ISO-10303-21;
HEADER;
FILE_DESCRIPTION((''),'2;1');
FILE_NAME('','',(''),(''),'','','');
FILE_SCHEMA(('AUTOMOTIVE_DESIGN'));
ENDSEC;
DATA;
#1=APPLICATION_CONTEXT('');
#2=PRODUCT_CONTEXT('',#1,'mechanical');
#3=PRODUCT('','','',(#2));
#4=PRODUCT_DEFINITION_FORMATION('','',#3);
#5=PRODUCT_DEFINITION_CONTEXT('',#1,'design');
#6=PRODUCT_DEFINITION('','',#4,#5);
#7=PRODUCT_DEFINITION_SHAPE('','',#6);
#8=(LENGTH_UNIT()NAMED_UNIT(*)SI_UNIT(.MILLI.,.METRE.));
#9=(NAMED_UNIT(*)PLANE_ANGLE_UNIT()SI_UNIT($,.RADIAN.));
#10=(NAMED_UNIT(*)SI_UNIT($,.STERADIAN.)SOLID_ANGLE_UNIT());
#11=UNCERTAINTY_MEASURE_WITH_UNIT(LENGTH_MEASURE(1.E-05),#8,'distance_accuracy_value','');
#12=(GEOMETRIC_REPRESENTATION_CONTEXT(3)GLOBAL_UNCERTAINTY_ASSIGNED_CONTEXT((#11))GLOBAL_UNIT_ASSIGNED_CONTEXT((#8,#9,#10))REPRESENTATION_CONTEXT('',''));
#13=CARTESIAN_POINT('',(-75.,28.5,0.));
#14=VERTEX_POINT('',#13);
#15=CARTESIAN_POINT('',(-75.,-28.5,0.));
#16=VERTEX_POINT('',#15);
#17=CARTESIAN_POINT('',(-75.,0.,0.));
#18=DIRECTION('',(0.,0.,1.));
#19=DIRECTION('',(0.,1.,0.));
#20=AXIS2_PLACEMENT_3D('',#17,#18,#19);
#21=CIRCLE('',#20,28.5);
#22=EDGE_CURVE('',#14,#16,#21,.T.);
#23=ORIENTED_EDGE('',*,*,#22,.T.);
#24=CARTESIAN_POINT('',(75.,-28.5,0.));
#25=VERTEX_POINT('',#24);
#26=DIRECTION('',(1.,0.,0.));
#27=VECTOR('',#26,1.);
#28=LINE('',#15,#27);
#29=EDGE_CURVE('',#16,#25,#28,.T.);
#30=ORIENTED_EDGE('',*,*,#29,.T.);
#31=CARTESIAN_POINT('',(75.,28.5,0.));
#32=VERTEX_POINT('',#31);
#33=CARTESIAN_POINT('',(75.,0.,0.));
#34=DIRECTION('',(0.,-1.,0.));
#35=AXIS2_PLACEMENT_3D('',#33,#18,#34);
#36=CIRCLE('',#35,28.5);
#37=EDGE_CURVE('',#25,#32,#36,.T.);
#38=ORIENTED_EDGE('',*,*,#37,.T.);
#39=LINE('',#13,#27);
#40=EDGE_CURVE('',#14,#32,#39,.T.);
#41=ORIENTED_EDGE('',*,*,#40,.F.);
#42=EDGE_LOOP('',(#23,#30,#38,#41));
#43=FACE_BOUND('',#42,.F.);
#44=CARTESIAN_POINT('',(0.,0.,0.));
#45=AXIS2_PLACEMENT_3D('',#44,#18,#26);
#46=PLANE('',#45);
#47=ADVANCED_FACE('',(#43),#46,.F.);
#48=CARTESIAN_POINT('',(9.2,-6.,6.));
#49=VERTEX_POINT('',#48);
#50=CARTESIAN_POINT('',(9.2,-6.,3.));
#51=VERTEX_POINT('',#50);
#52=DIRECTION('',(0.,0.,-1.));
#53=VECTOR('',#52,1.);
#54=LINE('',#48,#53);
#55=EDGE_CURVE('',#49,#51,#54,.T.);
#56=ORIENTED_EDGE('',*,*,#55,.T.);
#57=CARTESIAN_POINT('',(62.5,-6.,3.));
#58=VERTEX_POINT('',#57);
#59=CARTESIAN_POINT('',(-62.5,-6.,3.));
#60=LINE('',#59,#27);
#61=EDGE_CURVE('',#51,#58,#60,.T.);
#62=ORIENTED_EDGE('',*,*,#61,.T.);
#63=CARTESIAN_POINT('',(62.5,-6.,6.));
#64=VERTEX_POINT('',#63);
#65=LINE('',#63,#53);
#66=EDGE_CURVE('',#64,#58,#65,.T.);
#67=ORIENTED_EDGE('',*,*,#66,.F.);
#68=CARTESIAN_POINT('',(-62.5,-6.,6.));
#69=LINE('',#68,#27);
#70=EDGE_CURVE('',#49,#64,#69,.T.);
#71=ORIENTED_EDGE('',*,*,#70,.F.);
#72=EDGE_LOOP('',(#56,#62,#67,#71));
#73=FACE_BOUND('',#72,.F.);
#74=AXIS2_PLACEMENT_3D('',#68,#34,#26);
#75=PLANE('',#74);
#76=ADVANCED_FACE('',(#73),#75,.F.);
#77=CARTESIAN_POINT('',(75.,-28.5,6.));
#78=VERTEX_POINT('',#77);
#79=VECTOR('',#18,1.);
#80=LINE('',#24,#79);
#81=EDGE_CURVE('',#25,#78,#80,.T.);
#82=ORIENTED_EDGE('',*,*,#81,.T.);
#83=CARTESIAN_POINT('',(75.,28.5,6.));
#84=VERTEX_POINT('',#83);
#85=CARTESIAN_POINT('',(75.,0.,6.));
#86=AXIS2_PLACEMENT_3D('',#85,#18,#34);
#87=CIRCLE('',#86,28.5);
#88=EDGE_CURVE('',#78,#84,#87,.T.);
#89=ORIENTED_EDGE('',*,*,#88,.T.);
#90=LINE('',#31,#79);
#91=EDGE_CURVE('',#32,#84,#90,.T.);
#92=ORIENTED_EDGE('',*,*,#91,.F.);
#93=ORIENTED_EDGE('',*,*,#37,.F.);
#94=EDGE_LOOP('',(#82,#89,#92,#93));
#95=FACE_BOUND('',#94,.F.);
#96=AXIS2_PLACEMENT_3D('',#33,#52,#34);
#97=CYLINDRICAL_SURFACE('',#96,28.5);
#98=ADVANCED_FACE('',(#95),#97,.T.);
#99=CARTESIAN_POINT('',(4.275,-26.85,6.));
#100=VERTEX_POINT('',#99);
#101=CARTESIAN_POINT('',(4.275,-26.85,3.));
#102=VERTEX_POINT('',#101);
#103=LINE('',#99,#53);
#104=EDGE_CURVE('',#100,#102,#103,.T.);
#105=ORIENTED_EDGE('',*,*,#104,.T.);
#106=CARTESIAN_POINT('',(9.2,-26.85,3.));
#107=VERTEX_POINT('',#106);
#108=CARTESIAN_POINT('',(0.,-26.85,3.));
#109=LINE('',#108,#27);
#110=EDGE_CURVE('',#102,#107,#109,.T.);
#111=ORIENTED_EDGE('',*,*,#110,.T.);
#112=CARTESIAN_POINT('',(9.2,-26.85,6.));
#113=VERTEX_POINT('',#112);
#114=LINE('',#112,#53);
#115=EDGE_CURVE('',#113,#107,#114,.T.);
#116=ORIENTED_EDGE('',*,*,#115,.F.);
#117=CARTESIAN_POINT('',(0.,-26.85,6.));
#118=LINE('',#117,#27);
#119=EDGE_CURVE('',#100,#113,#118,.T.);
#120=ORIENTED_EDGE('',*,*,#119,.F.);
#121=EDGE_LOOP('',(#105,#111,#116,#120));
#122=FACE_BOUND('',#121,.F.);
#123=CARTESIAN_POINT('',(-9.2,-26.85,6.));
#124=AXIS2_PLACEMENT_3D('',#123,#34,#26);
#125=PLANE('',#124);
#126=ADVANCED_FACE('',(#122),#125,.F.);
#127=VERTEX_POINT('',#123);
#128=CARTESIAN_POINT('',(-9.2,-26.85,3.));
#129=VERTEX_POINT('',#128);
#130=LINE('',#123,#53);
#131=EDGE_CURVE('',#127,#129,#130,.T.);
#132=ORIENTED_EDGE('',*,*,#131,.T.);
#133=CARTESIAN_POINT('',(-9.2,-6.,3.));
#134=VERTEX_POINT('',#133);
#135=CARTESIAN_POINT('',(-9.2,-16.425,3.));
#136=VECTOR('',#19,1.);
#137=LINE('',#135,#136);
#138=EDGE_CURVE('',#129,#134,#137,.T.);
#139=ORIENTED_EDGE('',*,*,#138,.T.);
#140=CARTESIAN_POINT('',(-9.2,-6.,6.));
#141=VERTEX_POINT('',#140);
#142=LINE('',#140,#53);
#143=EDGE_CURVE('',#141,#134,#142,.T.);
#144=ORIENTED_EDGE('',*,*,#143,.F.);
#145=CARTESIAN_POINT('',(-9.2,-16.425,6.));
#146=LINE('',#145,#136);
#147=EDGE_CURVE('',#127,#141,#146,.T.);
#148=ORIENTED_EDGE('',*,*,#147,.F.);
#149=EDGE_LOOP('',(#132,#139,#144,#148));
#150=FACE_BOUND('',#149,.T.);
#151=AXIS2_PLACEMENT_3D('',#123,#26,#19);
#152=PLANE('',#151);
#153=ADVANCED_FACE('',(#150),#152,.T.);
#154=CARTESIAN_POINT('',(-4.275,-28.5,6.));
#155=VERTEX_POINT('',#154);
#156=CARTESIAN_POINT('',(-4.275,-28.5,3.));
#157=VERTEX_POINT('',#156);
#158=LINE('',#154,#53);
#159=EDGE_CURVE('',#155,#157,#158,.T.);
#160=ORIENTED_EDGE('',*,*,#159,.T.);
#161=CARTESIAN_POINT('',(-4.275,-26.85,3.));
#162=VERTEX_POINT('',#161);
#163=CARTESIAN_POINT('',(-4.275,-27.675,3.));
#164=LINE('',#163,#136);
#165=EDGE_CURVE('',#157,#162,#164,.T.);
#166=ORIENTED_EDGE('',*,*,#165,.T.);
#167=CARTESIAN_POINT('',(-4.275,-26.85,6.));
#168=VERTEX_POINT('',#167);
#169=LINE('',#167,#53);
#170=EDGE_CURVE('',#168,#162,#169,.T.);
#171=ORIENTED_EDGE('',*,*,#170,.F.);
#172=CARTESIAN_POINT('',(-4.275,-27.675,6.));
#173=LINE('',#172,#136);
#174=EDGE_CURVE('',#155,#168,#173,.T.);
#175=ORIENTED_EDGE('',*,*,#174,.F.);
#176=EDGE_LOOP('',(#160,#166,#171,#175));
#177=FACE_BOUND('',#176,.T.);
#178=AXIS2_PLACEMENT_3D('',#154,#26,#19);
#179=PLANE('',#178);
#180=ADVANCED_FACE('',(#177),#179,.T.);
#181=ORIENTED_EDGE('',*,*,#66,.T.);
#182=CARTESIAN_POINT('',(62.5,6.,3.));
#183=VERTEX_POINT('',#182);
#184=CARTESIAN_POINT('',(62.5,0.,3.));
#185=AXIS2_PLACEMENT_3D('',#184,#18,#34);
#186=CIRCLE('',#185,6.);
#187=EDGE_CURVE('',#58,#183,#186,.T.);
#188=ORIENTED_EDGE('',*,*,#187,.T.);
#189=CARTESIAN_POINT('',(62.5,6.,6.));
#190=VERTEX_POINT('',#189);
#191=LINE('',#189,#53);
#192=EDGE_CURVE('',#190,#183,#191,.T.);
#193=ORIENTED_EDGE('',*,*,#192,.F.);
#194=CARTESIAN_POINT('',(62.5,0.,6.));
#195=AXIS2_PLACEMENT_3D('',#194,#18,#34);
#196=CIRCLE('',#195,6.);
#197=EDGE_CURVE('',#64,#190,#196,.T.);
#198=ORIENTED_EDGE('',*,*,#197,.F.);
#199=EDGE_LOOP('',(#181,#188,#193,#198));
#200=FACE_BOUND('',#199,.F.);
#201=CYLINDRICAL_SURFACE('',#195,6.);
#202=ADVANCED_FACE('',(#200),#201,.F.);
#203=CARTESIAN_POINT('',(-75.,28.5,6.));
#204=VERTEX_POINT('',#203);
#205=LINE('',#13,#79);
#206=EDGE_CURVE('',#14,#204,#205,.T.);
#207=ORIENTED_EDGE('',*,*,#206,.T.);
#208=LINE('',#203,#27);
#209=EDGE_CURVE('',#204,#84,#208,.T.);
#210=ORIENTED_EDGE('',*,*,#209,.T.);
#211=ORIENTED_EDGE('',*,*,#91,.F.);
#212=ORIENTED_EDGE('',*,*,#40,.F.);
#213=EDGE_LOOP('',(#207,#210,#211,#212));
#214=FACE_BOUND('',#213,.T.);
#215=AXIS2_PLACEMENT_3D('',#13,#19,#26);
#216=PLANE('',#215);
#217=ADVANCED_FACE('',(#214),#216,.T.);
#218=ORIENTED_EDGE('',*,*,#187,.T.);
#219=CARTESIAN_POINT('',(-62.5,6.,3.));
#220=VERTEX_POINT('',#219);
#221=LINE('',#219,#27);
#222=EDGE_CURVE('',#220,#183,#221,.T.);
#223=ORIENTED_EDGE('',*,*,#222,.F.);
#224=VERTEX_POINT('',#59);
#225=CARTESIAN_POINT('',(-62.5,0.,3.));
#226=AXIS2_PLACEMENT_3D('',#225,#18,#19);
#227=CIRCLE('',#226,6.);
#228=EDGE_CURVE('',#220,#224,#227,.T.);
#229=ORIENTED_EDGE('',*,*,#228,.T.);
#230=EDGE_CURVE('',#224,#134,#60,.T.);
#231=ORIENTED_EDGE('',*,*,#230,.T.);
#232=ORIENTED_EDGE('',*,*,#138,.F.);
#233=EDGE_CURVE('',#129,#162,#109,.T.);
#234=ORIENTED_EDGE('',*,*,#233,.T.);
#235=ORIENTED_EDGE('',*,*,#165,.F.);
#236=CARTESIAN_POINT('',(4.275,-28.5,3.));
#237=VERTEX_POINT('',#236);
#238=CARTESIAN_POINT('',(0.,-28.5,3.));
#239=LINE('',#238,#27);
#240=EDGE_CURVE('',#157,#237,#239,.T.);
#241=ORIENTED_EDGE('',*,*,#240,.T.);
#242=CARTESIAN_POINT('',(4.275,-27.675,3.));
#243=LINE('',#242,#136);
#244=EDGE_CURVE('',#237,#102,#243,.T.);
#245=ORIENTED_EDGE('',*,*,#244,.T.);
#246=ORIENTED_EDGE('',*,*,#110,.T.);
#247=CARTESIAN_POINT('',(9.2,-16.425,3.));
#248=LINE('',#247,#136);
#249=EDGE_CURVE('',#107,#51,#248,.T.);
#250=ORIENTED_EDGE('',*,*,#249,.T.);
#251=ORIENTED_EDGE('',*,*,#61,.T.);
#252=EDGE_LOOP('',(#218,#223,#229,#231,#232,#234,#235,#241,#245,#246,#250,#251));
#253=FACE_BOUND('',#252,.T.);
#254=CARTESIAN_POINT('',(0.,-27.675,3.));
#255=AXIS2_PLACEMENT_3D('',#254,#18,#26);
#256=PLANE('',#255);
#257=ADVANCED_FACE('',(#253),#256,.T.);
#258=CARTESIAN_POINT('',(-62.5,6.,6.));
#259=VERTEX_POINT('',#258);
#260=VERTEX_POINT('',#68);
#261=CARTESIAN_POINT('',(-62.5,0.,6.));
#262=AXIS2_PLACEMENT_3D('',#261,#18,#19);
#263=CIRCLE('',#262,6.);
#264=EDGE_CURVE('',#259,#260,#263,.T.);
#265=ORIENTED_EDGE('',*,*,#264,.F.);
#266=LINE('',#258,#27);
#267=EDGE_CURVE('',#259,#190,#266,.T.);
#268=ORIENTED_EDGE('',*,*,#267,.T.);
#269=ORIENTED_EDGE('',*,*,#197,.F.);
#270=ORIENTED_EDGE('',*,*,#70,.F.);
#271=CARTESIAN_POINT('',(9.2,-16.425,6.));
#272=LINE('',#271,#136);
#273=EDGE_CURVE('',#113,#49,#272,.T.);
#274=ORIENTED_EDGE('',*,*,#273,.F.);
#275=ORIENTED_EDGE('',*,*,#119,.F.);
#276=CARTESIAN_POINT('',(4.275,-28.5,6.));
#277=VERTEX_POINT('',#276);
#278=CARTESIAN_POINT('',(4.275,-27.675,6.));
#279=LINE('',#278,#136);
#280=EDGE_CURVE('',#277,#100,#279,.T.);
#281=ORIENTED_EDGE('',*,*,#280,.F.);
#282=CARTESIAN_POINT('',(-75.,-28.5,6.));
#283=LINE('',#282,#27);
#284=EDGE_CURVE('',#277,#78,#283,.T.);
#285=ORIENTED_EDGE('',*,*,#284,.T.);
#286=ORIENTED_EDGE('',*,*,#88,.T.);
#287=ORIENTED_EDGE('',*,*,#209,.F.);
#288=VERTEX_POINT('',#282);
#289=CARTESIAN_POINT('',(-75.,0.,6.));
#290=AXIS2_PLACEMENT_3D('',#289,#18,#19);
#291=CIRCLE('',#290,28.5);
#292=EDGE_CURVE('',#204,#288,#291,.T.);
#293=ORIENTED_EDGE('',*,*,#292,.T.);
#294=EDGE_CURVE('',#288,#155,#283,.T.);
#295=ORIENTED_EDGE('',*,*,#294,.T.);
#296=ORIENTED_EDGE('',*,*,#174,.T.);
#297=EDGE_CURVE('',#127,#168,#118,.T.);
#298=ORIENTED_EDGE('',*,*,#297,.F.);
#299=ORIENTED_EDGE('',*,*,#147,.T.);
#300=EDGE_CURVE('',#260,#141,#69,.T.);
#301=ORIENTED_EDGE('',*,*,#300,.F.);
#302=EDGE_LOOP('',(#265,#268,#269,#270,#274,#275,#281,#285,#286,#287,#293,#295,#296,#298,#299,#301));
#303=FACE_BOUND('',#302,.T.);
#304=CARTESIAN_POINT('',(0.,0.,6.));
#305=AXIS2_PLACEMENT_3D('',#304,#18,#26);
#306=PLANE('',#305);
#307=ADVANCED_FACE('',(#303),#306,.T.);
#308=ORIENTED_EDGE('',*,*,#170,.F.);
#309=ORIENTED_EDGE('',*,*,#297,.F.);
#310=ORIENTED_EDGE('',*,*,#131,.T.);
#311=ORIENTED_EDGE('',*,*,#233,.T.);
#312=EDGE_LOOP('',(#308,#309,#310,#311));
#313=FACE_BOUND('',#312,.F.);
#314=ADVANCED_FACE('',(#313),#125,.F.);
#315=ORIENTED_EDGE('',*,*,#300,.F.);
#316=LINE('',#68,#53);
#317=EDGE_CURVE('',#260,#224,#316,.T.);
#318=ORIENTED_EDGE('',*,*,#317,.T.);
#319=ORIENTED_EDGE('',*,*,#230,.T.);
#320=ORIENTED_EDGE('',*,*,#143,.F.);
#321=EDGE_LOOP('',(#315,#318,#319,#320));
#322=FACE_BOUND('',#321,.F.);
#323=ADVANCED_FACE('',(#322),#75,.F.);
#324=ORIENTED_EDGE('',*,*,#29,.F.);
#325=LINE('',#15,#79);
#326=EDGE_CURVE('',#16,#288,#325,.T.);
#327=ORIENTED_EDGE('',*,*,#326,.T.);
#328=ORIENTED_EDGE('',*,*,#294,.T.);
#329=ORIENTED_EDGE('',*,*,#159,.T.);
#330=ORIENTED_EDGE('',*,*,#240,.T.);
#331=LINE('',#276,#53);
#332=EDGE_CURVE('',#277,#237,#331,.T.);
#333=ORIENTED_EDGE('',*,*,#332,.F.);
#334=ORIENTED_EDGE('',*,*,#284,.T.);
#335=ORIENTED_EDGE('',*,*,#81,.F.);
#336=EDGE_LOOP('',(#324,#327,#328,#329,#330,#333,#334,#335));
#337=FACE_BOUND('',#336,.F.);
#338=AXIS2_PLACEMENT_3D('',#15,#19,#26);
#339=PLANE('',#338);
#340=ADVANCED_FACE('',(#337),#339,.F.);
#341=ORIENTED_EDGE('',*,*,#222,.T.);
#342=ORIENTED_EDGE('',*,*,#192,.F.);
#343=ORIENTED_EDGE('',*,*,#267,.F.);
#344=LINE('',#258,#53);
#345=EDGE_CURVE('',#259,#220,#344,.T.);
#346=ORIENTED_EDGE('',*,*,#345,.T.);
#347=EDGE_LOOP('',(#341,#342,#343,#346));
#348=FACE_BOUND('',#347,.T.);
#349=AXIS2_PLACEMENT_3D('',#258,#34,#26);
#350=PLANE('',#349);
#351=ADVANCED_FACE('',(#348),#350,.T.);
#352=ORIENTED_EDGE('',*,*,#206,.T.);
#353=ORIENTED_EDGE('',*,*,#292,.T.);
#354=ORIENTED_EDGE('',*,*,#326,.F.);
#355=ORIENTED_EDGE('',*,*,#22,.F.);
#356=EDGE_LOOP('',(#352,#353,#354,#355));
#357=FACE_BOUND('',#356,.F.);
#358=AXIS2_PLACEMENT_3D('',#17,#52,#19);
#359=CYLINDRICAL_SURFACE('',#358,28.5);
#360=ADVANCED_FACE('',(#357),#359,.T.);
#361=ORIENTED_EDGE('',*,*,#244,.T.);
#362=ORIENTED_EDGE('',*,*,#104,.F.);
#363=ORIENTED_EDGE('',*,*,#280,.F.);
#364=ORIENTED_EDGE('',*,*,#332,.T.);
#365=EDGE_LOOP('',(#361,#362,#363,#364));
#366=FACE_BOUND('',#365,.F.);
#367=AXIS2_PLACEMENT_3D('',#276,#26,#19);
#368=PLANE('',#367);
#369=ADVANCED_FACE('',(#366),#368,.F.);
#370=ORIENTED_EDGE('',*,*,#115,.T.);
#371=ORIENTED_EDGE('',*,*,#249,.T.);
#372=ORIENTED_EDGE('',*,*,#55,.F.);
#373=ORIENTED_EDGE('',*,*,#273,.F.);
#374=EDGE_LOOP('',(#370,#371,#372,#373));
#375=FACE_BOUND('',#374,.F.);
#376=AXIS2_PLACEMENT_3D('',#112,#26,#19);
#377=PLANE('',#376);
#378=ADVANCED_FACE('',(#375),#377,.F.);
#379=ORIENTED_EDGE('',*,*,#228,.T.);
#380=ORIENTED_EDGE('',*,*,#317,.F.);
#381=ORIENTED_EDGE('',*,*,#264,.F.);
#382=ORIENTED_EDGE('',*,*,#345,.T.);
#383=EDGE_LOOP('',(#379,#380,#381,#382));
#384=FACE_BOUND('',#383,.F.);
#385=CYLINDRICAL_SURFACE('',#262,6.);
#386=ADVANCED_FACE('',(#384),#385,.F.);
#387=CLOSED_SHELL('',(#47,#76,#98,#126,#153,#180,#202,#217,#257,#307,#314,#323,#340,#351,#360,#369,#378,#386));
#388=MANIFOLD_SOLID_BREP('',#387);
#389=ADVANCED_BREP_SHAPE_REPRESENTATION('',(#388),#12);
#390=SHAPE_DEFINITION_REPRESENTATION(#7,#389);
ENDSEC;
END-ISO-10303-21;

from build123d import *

# Parameters (mm, degrees)
PAD_DEPTH       = 6
POCKET_DEPTH    = 3
SKETCH002_W     = 18.4
SKETCH002_H     = 20.85
POCKET001_DEPTH = 3
SKETCH003_W     = 8.55
SKETCH003_H     = 1.65
POCKET002_DEPTH = 3


with BuildPart() as part:
    # Sketch → Pad (new body)
    with BuildSketch(Plane.XY):
        with BuildLine():
            ThreePointArc((-75, 28.5), (-103.5, 0), (-75, -28.5))
            Line((-75, -28.5), (75, -28.5))
            ThreePointArc((75, -28.5), (103.5, 0), (75, 28.5))
            Line((-75, 28.5), (75, 28.5))
        make_face()
    extrude(amount=PAD_DEPTH)

    # Sketch001 (on Face6 of Pad) → Pocket (cut)
    with BuildSketch(Plane.XY.offset(6)):
        with BuildLine():
            ThreePointArc((-62.5, 6), (-68.5, 0), (-62.5, -6))
            Line((-62.5, -6), (62.5, -6))
            ThreePointArc((62.5, -6), (68.5, 0), (62.5, 6))
            Line((-62.5, 6), (62.5, 6))
        make_face()
    extrude(amount=-POCKET_DEPTH, mode=Mode.SUBTRACT)

    # Sketch002 (on Face5 of Pocket) → Pocket001 (cut)
    with BuildSketch(Plane.XY.offset(6)):
        with Locations((0, -16.425)):
            Rectangle(SKETCH002_W, SKETCH002_H)
    extrude(amount=-POCKET001_DEPTH, mode=Mode.SUBTRACT)

    # Sketch003 (on Face5 of Pocket001) → Pocket002 (cut)
    with BuildSketch(Plane.XY.offset(6)):
        with Locations((0, -27.675)):
            Rectangle(SKETCH003_W, SKETCH003_H)
    extrude(amount=-POCKET002_DEPTH, mode=Mode.SUBTRACT)


solid = part.part
